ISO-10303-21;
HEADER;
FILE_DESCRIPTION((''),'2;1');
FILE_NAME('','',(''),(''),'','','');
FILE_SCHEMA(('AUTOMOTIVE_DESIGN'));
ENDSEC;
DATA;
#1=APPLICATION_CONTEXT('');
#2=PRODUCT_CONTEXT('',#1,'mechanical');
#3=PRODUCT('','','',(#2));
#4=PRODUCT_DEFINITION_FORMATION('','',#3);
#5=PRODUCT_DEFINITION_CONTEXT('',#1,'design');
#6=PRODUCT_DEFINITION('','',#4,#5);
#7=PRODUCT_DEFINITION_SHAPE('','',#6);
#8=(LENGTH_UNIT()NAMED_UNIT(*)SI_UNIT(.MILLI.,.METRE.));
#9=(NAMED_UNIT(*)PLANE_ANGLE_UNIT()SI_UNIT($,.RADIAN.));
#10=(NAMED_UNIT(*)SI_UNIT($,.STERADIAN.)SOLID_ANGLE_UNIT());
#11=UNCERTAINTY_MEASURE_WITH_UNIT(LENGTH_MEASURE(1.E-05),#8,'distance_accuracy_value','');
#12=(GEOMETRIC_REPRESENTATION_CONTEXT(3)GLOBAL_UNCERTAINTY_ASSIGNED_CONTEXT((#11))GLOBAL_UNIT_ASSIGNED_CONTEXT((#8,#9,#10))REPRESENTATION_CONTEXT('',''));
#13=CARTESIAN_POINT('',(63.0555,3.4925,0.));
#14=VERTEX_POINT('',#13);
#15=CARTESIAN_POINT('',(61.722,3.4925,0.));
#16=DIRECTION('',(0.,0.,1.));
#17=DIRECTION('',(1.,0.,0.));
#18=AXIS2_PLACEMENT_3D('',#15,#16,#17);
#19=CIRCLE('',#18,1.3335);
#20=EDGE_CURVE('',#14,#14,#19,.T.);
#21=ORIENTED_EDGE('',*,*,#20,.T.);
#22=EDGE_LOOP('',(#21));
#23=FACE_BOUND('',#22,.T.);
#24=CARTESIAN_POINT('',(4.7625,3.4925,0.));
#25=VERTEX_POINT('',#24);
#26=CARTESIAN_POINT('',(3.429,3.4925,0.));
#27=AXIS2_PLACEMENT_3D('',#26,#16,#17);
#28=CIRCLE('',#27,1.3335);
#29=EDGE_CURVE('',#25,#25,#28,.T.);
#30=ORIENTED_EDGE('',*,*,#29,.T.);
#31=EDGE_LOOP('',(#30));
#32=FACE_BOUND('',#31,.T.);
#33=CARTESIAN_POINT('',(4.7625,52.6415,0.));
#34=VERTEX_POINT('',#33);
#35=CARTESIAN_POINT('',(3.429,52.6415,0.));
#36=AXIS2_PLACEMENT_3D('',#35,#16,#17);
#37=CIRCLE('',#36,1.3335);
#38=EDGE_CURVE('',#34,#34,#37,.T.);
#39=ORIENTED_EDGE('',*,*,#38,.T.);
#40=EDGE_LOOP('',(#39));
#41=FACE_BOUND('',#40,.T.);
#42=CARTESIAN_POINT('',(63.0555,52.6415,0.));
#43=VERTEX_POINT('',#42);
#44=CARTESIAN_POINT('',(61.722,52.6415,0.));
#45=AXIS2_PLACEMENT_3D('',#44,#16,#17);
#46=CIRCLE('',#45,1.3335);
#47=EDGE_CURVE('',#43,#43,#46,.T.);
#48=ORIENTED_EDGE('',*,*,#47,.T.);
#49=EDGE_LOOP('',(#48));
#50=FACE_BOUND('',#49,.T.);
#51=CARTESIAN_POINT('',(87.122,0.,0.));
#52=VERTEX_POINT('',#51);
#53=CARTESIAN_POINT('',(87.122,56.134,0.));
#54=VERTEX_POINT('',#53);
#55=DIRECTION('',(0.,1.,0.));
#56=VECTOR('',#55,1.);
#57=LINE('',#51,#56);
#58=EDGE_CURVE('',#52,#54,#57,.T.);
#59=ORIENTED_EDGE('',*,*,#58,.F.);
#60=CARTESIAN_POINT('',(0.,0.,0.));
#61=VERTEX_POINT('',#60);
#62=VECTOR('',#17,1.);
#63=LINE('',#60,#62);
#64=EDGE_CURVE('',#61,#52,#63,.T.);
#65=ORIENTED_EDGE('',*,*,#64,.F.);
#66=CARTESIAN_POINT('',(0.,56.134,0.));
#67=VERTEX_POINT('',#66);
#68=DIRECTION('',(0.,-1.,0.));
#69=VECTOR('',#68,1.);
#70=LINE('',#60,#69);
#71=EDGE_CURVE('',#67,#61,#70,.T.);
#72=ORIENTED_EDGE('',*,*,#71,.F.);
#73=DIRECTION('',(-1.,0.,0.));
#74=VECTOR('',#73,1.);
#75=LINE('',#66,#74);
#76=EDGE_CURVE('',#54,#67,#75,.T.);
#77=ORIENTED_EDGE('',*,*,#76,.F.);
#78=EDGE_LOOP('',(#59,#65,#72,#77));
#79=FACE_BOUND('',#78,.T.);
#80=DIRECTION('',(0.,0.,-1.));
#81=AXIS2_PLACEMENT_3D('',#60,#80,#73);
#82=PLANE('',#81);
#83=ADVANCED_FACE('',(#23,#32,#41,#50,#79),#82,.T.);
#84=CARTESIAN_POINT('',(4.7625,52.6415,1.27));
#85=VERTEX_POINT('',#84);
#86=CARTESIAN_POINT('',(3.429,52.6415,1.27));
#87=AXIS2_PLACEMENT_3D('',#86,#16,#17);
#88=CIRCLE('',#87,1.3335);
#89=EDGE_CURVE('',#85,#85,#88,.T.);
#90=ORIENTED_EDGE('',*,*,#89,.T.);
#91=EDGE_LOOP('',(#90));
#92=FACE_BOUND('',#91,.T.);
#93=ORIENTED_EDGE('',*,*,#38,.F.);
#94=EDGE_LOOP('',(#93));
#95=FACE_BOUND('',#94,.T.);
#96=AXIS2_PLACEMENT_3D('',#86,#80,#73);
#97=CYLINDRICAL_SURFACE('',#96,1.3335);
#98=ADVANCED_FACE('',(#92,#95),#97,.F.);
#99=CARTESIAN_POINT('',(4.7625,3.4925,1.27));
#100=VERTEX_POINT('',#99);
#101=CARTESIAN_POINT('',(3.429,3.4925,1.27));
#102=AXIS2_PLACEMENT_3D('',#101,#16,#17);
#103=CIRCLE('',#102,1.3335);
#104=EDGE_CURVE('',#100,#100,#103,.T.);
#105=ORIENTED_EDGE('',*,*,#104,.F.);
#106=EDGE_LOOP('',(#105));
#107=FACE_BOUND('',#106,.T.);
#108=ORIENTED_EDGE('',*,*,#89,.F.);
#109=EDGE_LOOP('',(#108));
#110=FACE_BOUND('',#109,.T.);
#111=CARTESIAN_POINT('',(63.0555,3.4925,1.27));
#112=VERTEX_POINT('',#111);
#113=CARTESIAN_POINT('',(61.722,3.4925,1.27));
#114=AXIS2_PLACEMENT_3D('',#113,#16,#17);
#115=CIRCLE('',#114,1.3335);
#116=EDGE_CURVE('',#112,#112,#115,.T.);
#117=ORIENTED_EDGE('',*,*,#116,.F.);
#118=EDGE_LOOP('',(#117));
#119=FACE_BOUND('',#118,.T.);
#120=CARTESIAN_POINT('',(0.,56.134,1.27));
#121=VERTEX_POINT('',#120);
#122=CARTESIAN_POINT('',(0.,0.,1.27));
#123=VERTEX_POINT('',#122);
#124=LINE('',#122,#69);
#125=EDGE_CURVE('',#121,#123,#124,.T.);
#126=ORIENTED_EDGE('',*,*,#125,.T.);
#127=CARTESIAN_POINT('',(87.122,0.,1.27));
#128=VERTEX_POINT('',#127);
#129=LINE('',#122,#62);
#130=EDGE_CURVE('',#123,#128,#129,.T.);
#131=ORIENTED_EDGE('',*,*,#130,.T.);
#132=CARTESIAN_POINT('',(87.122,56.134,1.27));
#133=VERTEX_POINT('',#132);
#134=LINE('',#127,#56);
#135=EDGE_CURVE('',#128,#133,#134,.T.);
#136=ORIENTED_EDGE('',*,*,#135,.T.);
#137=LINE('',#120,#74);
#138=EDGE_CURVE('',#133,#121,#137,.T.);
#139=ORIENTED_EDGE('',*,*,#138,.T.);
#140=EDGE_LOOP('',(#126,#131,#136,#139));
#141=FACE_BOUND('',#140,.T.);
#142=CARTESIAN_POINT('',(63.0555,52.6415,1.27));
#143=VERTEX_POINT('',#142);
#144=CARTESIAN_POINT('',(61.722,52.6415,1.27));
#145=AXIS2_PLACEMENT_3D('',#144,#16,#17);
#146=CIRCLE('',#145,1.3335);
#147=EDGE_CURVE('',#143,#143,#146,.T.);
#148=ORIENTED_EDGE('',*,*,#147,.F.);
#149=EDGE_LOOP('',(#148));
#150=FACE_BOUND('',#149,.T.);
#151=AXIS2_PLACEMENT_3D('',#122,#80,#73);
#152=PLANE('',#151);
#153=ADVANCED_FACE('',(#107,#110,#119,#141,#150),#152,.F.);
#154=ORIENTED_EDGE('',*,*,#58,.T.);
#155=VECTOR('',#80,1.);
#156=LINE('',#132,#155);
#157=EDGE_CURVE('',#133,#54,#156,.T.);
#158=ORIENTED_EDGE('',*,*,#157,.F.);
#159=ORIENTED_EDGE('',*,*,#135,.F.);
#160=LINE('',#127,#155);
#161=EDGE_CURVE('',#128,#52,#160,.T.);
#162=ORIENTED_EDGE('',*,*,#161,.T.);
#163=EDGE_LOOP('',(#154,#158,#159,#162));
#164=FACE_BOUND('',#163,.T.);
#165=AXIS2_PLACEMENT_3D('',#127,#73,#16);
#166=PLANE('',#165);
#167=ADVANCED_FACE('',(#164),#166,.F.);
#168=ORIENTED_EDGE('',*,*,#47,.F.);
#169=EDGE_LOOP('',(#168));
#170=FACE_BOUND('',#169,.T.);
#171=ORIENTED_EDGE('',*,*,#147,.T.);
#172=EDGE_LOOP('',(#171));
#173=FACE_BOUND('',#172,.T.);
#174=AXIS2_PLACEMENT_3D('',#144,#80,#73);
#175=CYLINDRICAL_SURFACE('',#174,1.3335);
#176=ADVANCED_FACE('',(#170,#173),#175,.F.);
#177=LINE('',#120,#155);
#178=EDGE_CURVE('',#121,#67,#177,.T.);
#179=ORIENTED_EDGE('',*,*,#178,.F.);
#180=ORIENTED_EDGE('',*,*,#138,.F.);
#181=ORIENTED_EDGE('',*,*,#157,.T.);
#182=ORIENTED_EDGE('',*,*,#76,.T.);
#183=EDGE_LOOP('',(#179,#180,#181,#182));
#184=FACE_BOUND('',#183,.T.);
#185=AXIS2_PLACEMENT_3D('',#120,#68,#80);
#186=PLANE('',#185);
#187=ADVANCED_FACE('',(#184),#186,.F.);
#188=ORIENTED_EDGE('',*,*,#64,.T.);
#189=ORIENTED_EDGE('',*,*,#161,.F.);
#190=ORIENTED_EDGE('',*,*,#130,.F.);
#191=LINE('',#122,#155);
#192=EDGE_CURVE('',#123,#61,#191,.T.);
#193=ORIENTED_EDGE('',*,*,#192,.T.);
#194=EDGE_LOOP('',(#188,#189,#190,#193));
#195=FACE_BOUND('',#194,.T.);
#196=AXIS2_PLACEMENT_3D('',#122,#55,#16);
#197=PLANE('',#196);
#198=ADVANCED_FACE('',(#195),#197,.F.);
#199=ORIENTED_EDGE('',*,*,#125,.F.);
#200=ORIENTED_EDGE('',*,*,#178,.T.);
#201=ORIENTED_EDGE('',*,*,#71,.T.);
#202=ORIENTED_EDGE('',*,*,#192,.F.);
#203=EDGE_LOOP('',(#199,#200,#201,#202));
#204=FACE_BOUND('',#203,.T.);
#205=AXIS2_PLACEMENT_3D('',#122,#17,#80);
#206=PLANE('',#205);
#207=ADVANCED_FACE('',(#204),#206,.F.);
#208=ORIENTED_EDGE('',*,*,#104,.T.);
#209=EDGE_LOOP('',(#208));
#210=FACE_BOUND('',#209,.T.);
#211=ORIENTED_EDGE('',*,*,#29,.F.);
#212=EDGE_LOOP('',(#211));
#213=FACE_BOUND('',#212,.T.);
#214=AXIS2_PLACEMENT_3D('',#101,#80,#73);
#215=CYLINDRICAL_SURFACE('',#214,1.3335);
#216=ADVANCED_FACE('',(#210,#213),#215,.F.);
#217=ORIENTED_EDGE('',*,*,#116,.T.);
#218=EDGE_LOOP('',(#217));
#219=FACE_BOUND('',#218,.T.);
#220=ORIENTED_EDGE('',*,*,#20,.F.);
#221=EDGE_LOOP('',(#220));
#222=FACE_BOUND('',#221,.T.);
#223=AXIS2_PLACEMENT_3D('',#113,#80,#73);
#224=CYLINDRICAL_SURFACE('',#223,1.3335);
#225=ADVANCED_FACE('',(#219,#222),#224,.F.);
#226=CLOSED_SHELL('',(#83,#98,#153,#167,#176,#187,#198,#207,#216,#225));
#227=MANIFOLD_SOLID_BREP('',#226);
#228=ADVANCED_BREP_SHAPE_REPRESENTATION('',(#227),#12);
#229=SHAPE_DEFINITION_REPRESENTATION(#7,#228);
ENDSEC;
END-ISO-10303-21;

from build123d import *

# Parameters (mm, degrees)
SKETCH1_W           = 87.122
SKETCH1_H           = 56.134
SKETCH1_R           = 1.3335
BOSS_EXTRUDE1_DEPTH = 1.27


with BuildPart() as part:
    # Sketch1 → Boss-Extrude1 (new body)
    with BuildSketch(Plane.XY):
        with Locations((43.561, 28.067)):
            Rectangle(SKETCH1_W, SKETCH1_H)
        with Locations((3.429, 52.6415)):
            Circle(SKETCH1_R, mode=Mode.SUBTRACT)
        with Locations((61.722, 52.6415)):
            Circle(SKETCH1_R, mode=Mode.SUBTRACT)
        with Locations((61.722, 3.4925)):
            Circle(SKETCH1_R, mode=Mode.SUBTRACT)
        with Locations((3.429, 3.4925)):
            Circle(SKETCH1_R, mode=Mode.SUBTRACT)
    extrude(amount=BOSS_EXTRUDE1_DEPTH)


solid = part.part
